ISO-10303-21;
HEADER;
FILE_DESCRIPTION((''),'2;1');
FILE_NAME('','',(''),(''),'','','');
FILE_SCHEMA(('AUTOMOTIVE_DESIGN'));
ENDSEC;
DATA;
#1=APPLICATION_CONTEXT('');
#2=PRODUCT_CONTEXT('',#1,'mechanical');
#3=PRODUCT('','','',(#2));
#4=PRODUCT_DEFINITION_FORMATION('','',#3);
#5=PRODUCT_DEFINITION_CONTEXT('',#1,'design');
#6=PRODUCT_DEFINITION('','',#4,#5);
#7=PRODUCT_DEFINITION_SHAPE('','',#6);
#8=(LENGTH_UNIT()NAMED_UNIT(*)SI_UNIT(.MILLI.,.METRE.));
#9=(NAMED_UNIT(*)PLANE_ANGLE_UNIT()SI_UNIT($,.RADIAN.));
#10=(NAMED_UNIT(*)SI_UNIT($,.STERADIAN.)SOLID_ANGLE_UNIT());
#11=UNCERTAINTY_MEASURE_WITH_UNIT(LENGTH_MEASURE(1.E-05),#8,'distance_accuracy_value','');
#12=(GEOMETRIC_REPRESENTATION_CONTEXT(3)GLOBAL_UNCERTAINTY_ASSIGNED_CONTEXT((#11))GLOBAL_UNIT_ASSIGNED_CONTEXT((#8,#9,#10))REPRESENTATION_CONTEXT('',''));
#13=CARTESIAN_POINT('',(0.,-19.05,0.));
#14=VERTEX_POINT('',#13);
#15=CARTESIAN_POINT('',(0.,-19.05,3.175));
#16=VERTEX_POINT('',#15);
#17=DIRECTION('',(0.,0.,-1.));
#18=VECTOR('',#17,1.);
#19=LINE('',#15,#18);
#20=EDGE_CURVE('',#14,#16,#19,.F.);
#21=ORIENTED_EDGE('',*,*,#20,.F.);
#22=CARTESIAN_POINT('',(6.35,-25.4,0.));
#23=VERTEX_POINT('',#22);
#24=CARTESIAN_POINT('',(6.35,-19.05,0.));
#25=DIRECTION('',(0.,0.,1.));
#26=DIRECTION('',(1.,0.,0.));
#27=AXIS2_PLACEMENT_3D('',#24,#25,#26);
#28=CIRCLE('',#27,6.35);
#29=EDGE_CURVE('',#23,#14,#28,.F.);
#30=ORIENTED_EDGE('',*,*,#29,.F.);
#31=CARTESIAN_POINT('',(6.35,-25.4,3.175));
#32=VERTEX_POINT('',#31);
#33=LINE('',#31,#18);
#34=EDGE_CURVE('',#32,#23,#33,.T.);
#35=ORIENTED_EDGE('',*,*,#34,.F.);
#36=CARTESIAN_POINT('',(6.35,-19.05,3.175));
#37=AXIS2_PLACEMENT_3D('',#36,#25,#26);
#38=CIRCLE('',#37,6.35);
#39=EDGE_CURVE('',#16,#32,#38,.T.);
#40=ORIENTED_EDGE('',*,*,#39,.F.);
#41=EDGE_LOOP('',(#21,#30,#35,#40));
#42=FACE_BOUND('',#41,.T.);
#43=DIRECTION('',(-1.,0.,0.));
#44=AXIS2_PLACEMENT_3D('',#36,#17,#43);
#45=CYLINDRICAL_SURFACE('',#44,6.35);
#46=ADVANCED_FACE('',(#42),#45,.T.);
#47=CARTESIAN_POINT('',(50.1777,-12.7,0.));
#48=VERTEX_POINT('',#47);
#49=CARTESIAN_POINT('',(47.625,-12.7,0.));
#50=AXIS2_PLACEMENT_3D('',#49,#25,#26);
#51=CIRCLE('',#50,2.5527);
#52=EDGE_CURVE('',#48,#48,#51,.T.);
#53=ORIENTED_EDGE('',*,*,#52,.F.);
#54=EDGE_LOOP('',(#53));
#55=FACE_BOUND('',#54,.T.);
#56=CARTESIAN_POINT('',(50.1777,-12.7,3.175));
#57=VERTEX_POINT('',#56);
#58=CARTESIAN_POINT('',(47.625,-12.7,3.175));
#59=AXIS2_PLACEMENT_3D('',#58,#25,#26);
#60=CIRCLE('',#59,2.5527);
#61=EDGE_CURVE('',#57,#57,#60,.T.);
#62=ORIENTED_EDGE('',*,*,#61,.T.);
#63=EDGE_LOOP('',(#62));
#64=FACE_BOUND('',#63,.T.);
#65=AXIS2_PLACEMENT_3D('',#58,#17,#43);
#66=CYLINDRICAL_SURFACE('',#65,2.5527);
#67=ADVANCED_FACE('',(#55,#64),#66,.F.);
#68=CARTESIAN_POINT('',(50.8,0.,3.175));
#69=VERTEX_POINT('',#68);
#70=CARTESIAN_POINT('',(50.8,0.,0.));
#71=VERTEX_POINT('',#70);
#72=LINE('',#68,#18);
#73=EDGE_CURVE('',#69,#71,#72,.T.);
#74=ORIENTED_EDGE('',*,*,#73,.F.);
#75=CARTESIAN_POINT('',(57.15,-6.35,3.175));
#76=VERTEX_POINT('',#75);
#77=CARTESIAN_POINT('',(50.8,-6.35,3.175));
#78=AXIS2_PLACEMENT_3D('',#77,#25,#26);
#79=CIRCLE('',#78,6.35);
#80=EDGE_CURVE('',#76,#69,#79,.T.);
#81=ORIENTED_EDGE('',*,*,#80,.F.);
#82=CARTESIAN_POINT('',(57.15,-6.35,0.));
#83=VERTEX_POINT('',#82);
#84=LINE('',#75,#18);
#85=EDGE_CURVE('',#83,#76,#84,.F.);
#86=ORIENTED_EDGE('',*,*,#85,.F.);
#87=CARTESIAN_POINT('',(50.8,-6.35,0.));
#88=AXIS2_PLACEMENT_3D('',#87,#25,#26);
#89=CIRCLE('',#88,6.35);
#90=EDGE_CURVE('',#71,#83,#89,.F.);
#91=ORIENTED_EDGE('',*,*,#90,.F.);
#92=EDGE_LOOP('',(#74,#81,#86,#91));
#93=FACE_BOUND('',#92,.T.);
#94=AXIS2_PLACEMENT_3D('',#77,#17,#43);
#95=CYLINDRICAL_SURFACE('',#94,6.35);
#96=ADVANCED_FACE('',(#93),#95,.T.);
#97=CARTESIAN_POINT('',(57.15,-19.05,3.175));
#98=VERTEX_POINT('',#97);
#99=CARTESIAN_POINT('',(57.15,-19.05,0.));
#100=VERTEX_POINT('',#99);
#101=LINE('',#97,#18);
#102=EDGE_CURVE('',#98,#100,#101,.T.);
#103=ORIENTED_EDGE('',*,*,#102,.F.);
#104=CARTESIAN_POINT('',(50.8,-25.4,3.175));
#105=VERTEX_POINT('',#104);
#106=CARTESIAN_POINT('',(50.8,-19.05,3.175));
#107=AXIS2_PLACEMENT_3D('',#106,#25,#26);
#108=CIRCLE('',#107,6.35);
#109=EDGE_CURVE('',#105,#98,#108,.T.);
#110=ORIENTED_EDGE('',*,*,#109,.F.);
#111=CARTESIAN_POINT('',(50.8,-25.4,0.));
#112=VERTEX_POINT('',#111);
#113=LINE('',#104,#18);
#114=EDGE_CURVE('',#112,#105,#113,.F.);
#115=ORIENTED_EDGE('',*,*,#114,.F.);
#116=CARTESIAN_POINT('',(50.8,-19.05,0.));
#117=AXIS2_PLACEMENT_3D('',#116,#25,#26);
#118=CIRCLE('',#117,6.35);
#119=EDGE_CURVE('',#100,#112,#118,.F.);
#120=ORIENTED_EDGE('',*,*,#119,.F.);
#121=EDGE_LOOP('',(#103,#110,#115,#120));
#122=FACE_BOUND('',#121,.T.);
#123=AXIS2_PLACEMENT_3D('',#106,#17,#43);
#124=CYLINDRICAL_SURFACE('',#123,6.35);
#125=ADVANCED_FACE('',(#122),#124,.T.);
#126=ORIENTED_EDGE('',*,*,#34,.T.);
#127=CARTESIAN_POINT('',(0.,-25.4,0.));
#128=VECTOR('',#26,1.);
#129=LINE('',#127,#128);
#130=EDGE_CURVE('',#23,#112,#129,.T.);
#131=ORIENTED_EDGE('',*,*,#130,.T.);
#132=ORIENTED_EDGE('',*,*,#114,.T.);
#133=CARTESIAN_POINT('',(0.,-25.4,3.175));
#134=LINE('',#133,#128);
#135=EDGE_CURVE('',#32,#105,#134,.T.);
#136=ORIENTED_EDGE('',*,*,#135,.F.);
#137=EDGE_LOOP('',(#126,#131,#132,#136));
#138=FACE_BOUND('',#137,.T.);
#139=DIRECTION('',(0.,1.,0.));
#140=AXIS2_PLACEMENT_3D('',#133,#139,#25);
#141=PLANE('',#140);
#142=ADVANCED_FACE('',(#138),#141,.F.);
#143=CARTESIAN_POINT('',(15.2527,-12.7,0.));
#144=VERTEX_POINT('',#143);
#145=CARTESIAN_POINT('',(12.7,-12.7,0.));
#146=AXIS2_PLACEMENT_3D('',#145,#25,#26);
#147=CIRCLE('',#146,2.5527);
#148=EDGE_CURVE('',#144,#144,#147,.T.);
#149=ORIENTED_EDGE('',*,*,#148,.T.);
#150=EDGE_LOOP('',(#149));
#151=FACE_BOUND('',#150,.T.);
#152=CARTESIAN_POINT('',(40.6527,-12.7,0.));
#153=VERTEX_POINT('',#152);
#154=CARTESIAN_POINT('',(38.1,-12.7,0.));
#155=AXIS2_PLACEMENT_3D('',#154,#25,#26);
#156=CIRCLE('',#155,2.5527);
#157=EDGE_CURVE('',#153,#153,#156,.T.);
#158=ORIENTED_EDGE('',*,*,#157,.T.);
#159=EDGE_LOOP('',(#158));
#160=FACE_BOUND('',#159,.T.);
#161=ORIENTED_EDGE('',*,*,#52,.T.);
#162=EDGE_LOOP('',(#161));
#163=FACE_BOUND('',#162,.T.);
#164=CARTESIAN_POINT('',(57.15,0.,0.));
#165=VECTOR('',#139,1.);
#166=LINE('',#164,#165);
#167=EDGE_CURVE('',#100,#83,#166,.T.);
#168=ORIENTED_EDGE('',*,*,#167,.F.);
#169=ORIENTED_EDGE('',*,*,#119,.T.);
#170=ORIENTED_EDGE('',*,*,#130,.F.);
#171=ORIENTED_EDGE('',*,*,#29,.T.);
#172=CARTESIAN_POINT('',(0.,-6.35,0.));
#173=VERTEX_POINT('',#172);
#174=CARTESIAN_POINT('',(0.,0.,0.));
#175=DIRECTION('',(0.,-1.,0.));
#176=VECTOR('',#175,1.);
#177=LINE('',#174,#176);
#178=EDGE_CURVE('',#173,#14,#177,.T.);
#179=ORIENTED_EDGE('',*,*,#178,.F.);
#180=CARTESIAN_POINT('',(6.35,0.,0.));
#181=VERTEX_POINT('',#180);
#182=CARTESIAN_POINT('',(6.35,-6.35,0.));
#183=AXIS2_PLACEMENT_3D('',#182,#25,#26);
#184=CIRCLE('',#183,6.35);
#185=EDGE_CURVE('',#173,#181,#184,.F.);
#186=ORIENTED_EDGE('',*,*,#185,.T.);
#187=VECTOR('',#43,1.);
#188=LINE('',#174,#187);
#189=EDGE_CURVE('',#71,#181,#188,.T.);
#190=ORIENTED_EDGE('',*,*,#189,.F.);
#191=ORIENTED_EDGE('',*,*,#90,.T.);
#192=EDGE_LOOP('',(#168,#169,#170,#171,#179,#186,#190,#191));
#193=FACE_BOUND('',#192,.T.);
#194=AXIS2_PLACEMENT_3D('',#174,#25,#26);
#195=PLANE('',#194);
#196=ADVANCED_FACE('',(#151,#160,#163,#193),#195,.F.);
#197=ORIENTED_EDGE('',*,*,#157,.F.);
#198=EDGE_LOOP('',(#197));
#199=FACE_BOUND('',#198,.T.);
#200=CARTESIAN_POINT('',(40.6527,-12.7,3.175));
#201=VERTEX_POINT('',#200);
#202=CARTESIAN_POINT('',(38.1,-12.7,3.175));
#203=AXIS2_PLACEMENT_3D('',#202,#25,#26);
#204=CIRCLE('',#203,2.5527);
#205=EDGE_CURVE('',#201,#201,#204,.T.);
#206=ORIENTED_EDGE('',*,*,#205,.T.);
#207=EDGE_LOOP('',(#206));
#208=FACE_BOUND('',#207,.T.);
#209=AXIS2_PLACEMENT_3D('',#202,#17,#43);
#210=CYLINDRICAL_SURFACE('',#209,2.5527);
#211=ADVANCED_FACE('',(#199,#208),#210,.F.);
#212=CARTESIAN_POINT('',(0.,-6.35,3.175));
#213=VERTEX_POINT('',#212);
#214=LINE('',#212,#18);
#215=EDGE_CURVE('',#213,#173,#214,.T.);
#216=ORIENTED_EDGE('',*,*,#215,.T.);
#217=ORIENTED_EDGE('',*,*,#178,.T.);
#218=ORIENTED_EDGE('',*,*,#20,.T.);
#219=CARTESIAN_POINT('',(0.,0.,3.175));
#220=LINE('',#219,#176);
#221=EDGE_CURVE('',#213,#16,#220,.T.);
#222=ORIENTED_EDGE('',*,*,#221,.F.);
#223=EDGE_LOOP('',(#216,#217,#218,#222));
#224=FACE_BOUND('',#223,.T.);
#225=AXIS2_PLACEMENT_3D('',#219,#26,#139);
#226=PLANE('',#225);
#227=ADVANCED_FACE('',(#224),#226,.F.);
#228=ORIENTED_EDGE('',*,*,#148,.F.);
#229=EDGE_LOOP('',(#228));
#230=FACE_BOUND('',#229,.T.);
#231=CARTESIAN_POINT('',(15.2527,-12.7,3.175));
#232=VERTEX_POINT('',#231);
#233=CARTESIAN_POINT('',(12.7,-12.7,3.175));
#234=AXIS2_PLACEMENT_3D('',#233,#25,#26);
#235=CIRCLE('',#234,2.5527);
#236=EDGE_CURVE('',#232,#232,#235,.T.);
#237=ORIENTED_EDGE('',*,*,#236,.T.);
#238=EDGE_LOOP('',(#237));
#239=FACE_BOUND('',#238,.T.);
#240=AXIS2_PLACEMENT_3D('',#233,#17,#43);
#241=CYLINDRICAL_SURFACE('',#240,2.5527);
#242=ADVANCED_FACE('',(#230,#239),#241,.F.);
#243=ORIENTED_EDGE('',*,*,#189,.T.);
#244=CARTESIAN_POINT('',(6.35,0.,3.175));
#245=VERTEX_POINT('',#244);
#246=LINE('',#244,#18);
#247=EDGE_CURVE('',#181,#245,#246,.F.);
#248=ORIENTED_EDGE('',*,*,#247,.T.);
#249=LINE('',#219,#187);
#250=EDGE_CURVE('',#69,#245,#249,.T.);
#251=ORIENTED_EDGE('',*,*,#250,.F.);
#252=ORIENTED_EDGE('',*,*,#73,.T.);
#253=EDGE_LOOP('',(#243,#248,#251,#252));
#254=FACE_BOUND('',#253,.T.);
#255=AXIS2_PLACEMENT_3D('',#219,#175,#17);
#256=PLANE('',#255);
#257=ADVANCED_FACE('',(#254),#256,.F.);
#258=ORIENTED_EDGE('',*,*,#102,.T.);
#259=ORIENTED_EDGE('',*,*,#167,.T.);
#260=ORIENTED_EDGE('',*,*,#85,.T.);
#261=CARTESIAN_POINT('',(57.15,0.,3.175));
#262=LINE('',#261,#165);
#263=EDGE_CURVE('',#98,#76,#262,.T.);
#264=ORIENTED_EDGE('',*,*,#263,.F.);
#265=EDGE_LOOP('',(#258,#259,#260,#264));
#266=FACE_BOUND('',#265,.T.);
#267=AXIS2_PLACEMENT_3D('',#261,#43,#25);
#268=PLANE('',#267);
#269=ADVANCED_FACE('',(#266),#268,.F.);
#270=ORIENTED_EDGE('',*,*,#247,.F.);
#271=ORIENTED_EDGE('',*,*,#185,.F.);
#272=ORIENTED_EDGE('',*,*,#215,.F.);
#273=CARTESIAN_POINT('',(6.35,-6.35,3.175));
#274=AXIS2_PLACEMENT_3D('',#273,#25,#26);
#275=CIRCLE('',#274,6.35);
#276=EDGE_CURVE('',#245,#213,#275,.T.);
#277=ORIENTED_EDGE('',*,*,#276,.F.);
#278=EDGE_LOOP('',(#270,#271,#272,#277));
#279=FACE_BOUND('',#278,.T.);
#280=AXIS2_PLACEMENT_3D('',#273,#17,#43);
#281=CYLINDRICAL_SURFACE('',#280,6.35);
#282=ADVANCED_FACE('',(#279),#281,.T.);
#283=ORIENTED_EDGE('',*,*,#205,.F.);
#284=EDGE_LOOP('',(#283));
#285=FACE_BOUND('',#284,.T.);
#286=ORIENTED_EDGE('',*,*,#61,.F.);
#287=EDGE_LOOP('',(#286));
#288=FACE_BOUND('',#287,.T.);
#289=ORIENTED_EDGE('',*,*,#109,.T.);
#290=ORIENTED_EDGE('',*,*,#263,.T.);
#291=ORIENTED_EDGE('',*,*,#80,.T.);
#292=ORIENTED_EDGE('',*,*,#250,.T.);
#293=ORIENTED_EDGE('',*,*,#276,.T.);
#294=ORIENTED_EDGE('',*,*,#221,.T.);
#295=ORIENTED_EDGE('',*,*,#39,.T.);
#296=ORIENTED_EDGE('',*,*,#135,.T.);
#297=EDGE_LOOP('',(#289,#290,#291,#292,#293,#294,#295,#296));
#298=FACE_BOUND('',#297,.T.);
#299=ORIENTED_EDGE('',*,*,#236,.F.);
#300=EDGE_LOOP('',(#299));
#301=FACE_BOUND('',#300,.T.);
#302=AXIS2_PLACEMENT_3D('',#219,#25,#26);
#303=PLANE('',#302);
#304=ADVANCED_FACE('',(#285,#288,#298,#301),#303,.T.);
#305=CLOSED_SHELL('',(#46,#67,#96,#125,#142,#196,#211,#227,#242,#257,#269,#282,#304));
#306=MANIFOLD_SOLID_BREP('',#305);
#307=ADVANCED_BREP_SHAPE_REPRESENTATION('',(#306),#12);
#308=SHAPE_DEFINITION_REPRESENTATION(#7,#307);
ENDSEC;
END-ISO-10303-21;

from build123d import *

# Parameters (mm, degrees)
SKETCH1_W           = 57.15
SKETCH1_H           = 25.4
SKETCH1_R           = 2.5527
BOSS_EXTRUDE1_DEPTH = 3.175
FILLET1_R           = 6.35


with BuildPart() as part:
    # Sketch1 → Boss-Extrude1 (new body)
    with BuildSketch(Plane.XY):
        with Locations((28.575, -12.7)):
            Rectangle(SKETCH1_W, SKETCH1_H)
        with Locations((12.7, -12.7)):
            Circle(SKETCH1_R, mode=Mode.SUBTRACT)
        with Locations((38.1, -12.7)):
            Circle(SKETCH1_R, mode=Mode.SUBTRACT)
        with Locations((47.625, -12.7)):
            Circle(SKETCH1_R, mode=Mode.SUBTRACT)
    extrude(amount=BOSS_EXTRUDE1_DEPTH)

    # Fillet1
    fillet1_edges = [part.edges().sort_by_distance(p)[0] for p in [
        (0, 0, 1.5875),
        (57.15, 0, 1.5875),
        (57.15, -25.4, 1.5875),
        (0, -25.4, 1.5875),
    ]]
    fillet(fillet1_edges, radius=FILLET1_R)


solid = part.part
